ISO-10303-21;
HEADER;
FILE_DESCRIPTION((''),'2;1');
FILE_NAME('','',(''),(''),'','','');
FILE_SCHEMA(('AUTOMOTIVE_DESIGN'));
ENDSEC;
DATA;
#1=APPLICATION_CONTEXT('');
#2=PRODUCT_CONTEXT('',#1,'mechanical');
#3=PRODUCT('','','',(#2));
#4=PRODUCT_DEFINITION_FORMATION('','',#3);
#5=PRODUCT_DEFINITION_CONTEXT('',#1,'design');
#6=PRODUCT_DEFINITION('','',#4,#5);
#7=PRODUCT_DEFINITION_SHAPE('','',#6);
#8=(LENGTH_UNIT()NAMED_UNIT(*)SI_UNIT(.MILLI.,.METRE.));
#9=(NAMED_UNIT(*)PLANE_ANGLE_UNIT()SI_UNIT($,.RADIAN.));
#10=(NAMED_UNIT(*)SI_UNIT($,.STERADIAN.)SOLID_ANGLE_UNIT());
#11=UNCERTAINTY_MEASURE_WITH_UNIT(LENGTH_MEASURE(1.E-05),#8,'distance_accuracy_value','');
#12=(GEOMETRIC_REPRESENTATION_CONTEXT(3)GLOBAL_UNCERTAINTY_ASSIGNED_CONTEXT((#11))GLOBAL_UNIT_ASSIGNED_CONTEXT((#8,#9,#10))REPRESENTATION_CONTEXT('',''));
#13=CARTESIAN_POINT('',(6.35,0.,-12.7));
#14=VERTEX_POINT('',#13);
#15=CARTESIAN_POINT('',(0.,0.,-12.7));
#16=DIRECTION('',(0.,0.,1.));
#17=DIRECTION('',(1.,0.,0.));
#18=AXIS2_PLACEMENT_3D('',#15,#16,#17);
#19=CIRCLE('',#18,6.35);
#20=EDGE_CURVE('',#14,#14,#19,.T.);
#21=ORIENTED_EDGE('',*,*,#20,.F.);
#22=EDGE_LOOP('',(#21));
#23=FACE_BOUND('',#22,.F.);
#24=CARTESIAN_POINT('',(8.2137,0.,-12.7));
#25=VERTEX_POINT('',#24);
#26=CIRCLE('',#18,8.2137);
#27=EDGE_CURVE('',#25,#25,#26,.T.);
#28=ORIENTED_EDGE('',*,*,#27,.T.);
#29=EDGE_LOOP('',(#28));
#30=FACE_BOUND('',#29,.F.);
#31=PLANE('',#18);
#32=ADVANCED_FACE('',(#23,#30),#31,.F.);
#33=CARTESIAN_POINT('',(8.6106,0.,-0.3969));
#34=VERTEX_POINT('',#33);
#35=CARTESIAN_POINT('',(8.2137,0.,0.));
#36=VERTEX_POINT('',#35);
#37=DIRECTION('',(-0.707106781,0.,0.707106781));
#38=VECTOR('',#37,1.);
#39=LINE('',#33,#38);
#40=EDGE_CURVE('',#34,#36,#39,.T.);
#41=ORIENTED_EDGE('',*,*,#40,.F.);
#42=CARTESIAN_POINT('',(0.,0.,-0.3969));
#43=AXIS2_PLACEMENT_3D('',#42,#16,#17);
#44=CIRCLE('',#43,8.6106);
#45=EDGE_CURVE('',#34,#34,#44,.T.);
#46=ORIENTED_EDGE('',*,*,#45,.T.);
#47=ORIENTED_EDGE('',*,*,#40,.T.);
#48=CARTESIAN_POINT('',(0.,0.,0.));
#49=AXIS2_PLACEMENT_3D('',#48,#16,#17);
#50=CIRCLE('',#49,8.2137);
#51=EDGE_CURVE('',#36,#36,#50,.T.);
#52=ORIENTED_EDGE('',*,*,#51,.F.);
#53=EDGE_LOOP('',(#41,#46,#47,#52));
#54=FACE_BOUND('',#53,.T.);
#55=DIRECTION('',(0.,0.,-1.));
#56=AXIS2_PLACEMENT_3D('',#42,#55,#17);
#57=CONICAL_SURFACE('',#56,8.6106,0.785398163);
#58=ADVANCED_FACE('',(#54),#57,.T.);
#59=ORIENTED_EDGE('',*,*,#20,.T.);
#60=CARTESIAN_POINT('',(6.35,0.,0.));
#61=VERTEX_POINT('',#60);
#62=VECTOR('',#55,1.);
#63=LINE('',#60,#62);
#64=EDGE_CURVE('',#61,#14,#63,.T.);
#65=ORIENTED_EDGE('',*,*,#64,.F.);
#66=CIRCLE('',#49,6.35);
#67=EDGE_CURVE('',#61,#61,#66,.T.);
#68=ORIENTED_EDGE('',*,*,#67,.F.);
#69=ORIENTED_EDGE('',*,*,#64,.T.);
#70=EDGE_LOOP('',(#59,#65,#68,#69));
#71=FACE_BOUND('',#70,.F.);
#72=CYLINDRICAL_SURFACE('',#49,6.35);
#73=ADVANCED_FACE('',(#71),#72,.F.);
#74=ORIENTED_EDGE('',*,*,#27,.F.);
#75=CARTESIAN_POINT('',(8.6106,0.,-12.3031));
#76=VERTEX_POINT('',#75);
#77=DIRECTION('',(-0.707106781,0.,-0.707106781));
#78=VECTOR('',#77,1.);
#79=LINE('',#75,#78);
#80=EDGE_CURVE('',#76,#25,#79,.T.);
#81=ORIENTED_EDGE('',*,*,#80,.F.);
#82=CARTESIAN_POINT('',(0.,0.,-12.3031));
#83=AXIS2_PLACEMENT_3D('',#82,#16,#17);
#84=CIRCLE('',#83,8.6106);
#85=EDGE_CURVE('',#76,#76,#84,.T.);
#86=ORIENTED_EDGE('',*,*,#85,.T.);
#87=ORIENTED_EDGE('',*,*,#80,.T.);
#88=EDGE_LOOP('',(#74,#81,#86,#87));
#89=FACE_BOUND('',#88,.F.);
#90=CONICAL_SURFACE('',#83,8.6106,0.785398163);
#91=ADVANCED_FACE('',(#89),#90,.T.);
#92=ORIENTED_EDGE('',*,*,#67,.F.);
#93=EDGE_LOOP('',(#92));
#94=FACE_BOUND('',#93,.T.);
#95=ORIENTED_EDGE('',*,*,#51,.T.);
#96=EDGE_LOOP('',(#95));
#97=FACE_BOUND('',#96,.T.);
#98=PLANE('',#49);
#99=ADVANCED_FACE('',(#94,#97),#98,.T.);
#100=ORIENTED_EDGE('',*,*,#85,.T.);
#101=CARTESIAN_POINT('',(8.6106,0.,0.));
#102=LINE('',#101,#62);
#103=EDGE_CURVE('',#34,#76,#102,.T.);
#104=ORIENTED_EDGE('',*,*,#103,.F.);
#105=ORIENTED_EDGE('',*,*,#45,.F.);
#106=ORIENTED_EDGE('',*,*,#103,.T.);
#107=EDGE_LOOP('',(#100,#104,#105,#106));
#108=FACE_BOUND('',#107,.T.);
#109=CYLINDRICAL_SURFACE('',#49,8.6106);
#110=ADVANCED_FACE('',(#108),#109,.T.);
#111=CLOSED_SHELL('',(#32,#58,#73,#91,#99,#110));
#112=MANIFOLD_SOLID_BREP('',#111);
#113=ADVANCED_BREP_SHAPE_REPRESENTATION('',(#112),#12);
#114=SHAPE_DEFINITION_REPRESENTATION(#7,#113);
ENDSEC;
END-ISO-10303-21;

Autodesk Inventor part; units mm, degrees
ref_plane "YZ Plane" through (0, 0, 0) normal (1, 0, 0) x (0, 1, 0)
ref_plane "XZ Plane" through (0, 0, 0) normal (0, 1, 0) x (-1, 0, 0)
ref_plane "XY Plane" through (0, 0, 0) normal (0, 0, 1) x (1, 0, 0)
sketch "Sketch1" plane through (0, 0, 0) normal (0, 0, 1) x (1, 0, 0)
  circle A0 centre (0, 0) radius 6.35
  circle A1 centre (0, 0) radius 8.6106
  dimension "d0" = 12.7
  dimension "d1" = 17.2212
extrude "Extrusion1" add sketch "Sketch1" against normal blind 12.7
chamfer "Chamfer1" distance 0.3969 angle 45 2 edges at (-8.6106, 0, 0) (-8.6106, 0, -12.7)
properties part number "axle spacer"
